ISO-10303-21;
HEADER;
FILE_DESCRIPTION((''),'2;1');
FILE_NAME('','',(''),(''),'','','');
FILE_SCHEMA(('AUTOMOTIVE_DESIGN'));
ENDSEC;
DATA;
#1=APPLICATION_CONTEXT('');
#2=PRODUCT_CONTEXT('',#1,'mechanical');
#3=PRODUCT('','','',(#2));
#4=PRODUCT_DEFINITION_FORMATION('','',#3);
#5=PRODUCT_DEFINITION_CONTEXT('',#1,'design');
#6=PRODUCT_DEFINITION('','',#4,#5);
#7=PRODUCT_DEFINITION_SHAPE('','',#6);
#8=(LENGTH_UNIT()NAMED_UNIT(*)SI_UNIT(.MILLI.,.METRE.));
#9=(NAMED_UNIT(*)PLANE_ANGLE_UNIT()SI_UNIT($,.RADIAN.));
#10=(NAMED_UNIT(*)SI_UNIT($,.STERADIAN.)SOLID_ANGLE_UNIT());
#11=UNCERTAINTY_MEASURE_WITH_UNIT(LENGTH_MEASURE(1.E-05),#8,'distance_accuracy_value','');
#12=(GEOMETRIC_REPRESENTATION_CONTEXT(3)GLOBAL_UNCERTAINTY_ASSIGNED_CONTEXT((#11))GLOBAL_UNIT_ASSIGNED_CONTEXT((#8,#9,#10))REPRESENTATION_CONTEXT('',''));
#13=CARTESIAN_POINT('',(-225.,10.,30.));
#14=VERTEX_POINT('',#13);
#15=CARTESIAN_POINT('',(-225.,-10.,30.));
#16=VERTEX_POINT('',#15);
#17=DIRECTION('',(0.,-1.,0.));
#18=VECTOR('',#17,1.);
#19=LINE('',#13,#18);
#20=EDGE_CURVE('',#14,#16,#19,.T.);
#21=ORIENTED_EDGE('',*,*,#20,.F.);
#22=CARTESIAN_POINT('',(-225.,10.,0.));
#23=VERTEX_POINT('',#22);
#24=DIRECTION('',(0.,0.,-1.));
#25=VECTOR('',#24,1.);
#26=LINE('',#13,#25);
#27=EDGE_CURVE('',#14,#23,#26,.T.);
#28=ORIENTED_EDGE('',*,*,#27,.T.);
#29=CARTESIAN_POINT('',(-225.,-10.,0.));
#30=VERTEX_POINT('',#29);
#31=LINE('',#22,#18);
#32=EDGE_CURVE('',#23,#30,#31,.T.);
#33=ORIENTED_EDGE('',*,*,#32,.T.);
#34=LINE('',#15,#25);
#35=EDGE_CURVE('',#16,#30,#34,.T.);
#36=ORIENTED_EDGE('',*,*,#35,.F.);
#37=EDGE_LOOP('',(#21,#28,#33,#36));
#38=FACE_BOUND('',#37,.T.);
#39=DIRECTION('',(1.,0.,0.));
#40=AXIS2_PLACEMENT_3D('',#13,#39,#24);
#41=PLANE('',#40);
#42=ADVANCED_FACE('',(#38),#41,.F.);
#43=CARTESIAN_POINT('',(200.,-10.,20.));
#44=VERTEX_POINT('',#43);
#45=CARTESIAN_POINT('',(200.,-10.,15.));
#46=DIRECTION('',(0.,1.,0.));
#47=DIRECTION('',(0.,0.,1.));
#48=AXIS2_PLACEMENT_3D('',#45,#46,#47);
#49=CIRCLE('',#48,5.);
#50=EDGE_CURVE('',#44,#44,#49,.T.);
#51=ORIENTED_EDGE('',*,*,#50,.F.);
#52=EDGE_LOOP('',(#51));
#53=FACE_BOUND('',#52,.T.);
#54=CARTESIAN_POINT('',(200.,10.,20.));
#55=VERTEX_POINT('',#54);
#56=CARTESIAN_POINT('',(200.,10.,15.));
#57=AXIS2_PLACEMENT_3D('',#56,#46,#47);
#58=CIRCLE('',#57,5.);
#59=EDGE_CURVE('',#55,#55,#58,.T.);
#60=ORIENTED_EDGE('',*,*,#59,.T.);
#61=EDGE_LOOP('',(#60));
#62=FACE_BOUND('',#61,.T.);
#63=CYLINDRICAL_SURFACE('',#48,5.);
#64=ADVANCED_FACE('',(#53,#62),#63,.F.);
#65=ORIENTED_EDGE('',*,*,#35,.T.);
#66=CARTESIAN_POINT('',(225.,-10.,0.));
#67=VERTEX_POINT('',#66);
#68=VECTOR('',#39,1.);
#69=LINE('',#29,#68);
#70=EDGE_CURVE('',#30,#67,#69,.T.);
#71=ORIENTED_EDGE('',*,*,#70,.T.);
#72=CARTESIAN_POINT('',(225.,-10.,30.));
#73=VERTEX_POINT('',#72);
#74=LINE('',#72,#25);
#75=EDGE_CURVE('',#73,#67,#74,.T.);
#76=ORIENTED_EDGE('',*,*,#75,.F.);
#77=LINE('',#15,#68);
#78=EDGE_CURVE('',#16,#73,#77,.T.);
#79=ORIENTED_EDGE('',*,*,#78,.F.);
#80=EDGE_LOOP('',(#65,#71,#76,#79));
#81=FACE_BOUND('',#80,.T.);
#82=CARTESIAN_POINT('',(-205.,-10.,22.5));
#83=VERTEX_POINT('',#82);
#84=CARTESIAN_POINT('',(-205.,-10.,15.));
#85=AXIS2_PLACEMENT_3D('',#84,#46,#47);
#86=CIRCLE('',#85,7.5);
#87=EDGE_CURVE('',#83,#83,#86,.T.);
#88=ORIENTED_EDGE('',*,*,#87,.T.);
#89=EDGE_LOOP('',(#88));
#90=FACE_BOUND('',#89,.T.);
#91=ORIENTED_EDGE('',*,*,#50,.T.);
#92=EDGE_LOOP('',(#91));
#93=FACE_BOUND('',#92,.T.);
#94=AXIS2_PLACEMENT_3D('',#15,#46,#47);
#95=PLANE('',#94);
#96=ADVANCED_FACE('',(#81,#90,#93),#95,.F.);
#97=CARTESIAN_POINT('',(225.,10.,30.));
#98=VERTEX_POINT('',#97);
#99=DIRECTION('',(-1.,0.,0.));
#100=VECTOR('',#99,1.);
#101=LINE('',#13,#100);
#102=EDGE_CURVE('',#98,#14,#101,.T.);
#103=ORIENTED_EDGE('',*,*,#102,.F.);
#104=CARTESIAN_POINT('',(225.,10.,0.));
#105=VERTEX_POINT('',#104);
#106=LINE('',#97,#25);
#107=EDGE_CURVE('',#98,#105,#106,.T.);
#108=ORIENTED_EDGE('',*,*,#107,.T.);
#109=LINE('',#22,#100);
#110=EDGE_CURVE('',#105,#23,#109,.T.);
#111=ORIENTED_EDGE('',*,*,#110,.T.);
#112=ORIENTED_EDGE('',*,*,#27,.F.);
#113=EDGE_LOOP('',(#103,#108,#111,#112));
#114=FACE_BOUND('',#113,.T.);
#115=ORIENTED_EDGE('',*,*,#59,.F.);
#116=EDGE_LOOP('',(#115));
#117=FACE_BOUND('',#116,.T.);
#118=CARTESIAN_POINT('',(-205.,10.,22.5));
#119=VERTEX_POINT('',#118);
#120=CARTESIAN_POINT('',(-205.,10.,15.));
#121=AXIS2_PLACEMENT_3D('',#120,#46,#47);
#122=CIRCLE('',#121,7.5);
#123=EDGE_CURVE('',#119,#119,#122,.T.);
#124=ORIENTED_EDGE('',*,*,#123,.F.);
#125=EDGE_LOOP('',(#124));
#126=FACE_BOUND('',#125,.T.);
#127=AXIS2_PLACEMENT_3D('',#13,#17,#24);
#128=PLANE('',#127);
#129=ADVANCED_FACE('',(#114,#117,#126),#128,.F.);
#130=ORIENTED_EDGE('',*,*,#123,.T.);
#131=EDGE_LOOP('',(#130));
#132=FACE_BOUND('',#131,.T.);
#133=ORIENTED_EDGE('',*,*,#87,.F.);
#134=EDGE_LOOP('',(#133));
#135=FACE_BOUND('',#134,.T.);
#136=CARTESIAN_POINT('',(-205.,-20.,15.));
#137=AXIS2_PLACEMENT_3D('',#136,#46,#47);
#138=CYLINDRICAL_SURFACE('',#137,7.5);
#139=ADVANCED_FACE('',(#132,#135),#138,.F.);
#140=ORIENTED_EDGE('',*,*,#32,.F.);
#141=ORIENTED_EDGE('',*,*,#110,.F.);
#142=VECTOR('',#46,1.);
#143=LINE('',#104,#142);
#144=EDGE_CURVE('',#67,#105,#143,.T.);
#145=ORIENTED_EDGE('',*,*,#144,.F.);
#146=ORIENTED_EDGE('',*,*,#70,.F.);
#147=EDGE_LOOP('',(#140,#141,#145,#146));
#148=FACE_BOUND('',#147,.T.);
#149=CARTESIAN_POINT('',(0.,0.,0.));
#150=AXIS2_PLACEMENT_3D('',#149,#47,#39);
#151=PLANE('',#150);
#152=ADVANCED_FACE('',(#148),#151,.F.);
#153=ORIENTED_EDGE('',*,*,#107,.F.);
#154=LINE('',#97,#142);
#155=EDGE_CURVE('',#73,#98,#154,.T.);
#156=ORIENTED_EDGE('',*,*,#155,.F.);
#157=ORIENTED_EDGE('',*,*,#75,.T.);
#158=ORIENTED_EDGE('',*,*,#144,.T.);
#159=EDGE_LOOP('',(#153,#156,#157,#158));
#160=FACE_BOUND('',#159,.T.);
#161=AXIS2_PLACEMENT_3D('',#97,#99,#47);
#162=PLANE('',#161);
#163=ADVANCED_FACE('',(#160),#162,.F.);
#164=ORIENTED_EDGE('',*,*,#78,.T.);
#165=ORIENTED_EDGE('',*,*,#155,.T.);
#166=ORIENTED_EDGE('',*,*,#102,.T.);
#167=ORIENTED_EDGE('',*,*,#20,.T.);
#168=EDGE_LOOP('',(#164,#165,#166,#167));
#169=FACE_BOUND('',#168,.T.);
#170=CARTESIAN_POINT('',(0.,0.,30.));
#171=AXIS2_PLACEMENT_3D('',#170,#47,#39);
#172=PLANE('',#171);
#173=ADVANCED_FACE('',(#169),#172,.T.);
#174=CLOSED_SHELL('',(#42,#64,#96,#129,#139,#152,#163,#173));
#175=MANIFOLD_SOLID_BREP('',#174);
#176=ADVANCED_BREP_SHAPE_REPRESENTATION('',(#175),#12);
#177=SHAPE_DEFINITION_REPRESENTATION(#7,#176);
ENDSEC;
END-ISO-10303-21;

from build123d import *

# Parameters (mm, degrees)
SKETCH_1_W          = 450
SKETCH_1_H          = 20
EXTRUDE_1_DEPTH     = 30
SKETCH_2_R          = 7.5
CUT_EXTRUDE_1_DEPTH = 30
SKETCH_3_R          = 5
CUT_EXTRUDE_2_DEPTH = 228.870577302


with BuildPart() as part:
    # 草图1 → 凸台-拉伸1 (new body)
    with BuildSketch(Plane.XY):
        Rectangle(SKETCH_1_W, SKETCH_1_H)
    extrude(amount=EXTRUDE_1_DEPTH)

    # 草图2 → 切除-拉伸1 (cut)
    with BuildSketch(Plane(origin=(0, 10, 0), x_dir=(1, 0, 0), z_dir=(0, 1, 0))):
        with Locations(Location((-205, -15, 0), (0, 0, 270))):
            Circle(SKETCH_2_R)
    extrude(amount=-CUT_EXTRUDE_1_DEPTH, mode=Mode.SUBTRACT)

    # 草图3 → 切除-拉伸2 (cut, through all)
    with BuildSketch(Plane(origin=(0, 10, 0), x_dir=(1, 0, 0), z_dir=(0, 1, 0))):
        with Locations(Location((200, -15, 0), (0, 0, 270))):
            Circle(SKETCH_3_R)
    extrude(amount=-CUT_EXTRUDE_2_DEPTH, mode=Mode.SUBTRACT)


solid = part.part
